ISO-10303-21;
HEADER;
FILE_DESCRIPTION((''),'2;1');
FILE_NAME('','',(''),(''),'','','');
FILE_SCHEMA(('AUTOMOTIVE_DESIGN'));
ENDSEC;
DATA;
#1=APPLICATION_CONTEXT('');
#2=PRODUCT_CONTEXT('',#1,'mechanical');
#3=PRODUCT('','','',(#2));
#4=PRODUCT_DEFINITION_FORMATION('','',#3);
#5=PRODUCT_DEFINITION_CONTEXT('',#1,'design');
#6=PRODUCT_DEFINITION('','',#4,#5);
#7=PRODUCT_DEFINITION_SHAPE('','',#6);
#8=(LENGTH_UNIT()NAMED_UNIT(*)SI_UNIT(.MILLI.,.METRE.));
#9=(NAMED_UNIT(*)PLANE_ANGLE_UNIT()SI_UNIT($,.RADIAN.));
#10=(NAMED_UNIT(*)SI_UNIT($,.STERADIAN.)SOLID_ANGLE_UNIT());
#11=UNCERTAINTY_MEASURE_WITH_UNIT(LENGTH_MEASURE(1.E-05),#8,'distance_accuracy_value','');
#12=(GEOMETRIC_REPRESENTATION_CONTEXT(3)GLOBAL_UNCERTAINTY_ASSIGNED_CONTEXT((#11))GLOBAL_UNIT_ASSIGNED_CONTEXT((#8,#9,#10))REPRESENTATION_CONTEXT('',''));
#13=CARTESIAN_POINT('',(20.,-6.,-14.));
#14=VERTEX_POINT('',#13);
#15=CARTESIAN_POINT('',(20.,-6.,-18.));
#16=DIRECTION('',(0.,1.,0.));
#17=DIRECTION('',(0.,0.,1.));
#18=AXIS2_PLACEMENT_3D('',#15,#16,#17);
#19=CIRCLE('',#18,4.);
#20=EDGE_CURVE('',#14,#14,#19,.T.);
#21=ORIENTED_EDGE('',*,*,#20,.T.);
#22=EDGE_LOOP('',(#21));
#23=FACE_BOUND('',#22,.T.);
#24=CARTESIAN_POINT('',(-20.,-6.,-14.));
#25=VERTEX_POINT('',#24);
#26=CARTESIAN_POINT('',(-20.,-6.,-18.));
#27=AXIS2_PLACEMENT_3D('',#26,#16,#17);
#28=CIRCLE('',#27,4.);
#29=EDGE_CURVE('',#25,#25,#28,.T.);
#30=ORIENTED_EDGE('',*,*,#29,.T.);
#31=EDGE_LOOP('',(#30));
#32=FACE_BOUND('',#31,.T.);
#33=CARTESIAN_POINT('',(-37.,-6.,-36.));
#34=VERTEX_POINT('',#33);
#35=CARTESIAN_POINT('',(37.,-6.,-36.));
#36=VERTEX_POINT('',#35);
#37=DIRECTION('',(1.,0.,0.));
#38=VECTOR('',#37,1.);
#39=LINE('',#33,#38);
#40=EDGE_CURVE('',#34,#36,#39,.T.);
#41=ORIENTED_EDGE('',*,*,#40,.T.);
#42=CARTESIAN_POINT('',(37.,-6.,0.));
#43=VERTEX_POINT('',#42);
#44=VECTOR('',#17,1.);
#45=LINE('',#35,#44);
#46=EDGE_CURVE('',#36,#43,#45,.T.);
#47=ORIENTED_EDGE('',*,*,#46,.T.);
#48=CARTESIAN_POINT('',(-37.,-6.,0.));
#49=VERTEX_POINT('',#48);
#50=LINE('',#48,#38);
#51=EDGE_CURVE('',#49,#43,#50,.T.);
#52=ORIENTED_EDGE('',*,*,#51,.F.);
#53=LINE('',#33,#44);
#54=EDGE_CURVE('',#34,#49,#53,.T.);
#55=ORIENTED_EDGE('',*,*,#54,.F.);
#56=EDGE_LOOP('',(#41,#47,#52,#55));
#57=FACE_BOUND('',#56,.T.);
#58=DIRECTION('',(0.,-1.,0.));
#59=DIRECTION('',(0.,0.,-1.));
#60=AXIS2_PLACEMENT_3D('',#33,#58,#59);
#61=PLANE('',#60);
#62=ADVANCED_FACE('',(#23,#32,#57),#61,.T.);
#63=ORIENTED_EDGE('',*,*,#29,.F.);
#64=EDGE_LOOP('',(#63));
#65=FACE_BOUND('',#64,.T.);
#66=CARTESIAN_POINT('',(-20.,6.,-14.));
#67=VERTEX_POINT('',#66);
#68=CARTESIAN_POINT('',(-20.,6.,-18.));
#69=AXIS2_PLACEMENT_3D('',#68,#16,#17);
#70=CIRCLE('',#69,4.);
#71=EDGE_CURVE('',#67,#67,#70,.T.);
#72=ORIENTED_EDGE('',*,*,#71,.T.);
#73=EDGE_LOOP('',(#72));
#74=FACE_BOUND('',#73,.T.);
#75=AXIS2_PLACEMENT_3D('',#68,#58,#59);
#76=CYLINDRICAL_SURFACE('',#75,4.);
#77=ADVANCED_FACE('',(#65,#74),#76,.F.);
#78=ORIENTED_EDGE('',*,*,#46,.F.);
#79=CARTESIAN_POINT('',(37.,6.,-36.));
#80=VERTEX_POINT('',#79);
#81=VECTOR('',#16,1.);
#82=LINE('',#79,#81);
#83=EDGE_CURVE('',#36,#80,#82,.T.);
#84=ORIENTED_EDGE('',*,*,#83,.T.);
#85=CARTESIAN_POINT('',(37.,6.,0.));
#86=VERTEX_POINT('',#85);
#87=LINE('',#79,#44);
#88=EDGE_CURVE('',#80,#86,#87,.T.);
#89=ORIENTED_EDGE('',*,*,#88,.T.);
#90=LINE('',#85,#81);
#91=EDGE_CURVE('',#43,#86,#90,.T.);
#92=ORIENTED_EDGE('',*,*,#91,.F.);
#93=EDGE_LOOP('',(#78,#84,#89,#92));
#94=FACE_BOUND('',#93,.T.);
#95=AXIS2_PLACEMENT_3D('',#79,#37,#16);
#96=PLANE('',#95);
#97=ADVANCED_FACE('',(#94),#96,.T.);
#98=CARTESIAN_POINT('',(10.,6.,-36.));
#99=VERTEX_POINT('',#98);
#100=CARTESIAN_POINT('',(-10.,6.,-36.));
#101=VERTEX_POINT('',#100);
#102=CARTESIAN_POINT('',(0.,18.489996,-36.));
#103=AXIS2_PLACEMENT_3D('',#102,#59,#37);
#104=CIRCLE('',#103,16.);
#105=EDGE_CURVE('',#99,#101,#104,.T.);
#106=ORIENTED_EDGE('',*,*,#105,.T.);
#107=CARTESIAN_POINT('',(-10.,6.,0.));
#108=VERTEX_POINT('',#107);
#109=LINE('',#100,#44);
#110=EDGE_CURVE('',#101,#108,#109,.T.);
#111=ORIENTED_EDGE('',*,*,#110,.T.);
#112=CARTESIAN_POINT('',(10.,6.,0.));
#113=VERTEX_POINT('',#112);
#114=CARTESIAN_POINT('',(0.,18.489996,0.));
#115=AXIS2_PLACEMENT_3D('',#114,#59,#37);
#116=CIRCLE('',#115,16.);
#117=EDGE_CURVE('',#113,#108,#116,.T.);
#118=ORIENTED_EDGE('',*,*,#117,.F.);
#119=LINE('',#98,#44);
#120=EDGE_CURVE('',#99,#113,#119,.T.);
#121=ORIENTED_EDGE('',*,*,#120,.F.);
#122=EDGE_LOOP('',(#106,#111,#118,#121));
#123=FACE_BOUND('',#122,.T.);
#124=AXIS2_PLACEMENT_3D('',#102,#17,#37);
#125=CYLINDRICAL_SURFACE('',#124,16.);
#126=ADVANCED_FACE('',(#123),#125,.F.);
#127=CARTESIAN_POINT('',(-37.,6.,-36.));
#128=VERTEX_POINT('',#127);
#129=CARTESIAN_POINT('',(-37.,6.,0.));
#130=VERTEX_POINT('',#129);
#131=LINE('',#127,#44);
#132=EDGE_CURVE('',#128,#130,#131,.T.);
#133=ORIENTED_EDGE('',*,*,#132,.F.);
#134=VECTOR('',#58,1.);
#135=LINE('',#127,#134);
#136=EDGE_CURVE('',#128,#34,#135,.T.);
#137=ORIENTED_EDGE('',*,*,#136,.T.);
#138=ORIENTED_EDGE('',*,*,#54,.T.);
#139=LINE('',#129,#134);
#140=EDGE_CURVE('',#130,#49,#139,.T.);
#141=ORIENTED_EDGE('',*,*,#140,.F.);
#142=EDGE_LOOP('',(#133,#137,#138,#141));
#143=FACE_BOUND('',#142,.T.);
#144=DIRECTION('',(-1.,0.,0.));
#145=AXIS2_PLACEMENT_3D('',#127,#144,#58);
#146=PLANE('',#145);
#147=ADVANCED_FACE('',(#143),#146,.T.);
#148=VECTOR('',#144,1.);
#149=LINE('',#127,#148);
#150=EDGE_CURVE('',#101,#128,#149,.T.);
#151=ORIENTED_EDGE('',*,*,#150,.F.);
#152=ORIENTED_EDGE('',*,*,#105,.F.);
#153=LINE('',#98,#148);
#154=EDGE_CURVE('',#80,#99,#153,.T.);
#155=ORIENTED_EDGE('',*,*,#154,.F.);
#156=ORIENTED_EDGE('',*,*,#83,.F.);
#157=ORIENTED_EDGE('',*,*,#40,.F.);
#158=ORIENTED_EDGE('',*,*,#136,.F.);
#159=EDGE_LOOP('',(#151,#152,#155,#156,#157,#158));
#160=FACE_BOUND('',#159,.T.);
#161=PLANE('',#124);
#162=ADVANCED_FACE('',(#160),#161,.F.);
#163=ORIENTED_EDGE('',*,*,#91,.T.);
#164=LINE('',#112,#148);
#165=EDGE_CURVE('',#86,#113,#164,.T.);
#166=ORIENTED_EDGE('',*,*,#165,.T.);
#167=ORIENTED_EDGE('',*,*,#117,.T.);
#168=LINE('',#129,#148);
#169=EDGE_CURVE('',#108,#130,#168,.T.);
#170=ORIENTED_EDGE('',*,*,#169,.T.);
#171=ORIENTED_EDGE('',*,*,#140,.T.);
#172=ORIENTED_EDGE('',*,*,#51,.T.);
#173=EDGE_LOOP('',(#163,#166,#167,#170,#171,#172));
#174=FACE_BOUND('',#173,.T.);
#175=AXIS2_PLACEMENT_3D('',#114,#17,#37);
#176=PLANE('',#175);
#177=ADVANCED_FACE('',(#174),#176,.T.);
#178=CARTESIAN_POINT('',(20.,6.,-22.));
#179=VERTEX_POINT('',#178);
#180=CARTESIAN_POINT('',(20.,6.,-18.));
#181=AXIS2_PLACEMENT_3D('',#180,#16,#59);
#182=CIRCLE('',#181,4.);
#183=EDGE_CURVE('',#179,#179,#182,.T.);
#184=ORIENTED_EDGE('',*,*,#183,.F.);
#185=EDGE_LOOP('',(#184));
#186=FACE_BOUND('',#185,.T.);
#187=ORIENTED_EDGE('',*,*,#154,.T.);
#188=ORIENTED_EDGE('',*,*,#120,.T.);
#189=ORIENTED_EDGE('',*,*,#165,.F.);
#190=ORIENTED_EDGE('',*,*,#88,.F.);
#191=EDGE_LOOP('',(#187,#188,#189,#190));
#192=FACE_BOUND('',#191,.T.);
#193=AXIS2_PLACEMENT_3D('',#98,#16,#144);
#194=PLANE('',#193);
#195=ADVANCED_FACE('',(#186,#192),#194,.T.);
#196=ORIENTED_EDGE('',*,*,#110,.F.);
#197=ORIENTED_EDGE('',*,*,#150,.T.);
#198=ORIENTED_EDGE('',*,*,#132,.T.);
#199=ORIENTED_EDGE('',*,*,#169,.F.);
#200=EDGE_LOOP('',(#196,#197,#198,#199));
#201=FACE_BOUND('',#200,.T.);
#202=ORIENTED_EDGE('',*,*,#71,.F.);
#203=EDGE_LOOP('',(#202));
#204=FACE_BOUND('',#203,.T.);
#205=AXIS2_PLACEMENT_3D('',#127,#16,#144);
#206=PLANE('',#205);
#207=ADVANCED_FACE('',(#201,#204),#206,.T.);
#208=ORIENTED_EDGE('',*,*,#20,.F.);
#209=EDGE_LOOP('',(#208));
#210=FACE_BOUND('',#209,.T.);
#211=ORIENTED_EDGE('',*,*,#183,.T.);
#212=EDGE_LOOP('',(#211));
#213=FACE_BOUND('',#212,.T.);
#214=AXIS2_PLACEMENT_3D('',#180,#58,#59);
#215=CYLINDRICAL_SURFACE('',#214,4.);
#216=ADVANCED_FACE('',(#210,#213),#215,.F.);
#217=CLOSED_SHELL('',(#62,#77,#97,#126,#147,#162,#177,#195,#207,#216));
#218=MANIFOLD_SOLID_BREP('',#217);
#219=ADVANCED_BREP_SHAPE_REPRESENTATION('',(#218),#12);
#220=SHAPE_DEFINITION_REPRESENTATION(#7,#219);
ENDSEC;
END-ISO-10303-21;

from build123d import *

# Parameters (mm, degrees)
BOSS_EXTRUDE1_DEPTH = 36
SKETCH2_R           = 4
CUT_EXTRUDE1_DEPTH  = 7
SKETCH3_R           = 4
CUT_EXTRUDE2_DEPTH  = 7


with BuildPart() as part:
    # Sketch1 → Boss-Extrude1 (new body)
    with BuildSketch(Plane.XY):
        with BuildLine():
            Line((10, 6), (37, 6))
            Line((37, 6), (37, -6))
            Line((37, -6), (-37, -6))
            Line((-37, -6), (-37, 6))
            Line((-37, 6), (-10, 6))
            ThreePointArc((-10, 6), (0, 2.489995997), (10, 6))
        make_face()
    extrude(amount=-BOSS_EXTRUDE1_DEPTH)

    # Sketch2 → Cut-Extrude1 (cut, through all)
    with BuildSketch(Plane(origin=(0, 0, 0), x_dir=(1, 0, 0), z_dir=(0, 1, 0))):
        with Locations((-20, 18)):
            Circle(SKETCH2_R)
        with Locations((20, 18)):
            Circle(SKETCH2_R)
    extrude(amount=CUT_EXTRUDE1_DEPTH, mode=Mode.SUBTRACT)

    # Sketch3 → Cut-Extrude2 (cut, through all)
    with BuildSketch(Plane(origin=(0, 0, 0), x_dir=(1, 0, 0), z_dir=(0, 1, 0))):
        with Locations((-20, 18)):
            Circle(SKETCH3_R)
        with Locations((20, 18)):
            Circle(SKETCH3_R)
    extrude(amount=-CUT_EXTRUDE2_DEPTH, mode=Mode.SUBTRACT)


solid = part.part
